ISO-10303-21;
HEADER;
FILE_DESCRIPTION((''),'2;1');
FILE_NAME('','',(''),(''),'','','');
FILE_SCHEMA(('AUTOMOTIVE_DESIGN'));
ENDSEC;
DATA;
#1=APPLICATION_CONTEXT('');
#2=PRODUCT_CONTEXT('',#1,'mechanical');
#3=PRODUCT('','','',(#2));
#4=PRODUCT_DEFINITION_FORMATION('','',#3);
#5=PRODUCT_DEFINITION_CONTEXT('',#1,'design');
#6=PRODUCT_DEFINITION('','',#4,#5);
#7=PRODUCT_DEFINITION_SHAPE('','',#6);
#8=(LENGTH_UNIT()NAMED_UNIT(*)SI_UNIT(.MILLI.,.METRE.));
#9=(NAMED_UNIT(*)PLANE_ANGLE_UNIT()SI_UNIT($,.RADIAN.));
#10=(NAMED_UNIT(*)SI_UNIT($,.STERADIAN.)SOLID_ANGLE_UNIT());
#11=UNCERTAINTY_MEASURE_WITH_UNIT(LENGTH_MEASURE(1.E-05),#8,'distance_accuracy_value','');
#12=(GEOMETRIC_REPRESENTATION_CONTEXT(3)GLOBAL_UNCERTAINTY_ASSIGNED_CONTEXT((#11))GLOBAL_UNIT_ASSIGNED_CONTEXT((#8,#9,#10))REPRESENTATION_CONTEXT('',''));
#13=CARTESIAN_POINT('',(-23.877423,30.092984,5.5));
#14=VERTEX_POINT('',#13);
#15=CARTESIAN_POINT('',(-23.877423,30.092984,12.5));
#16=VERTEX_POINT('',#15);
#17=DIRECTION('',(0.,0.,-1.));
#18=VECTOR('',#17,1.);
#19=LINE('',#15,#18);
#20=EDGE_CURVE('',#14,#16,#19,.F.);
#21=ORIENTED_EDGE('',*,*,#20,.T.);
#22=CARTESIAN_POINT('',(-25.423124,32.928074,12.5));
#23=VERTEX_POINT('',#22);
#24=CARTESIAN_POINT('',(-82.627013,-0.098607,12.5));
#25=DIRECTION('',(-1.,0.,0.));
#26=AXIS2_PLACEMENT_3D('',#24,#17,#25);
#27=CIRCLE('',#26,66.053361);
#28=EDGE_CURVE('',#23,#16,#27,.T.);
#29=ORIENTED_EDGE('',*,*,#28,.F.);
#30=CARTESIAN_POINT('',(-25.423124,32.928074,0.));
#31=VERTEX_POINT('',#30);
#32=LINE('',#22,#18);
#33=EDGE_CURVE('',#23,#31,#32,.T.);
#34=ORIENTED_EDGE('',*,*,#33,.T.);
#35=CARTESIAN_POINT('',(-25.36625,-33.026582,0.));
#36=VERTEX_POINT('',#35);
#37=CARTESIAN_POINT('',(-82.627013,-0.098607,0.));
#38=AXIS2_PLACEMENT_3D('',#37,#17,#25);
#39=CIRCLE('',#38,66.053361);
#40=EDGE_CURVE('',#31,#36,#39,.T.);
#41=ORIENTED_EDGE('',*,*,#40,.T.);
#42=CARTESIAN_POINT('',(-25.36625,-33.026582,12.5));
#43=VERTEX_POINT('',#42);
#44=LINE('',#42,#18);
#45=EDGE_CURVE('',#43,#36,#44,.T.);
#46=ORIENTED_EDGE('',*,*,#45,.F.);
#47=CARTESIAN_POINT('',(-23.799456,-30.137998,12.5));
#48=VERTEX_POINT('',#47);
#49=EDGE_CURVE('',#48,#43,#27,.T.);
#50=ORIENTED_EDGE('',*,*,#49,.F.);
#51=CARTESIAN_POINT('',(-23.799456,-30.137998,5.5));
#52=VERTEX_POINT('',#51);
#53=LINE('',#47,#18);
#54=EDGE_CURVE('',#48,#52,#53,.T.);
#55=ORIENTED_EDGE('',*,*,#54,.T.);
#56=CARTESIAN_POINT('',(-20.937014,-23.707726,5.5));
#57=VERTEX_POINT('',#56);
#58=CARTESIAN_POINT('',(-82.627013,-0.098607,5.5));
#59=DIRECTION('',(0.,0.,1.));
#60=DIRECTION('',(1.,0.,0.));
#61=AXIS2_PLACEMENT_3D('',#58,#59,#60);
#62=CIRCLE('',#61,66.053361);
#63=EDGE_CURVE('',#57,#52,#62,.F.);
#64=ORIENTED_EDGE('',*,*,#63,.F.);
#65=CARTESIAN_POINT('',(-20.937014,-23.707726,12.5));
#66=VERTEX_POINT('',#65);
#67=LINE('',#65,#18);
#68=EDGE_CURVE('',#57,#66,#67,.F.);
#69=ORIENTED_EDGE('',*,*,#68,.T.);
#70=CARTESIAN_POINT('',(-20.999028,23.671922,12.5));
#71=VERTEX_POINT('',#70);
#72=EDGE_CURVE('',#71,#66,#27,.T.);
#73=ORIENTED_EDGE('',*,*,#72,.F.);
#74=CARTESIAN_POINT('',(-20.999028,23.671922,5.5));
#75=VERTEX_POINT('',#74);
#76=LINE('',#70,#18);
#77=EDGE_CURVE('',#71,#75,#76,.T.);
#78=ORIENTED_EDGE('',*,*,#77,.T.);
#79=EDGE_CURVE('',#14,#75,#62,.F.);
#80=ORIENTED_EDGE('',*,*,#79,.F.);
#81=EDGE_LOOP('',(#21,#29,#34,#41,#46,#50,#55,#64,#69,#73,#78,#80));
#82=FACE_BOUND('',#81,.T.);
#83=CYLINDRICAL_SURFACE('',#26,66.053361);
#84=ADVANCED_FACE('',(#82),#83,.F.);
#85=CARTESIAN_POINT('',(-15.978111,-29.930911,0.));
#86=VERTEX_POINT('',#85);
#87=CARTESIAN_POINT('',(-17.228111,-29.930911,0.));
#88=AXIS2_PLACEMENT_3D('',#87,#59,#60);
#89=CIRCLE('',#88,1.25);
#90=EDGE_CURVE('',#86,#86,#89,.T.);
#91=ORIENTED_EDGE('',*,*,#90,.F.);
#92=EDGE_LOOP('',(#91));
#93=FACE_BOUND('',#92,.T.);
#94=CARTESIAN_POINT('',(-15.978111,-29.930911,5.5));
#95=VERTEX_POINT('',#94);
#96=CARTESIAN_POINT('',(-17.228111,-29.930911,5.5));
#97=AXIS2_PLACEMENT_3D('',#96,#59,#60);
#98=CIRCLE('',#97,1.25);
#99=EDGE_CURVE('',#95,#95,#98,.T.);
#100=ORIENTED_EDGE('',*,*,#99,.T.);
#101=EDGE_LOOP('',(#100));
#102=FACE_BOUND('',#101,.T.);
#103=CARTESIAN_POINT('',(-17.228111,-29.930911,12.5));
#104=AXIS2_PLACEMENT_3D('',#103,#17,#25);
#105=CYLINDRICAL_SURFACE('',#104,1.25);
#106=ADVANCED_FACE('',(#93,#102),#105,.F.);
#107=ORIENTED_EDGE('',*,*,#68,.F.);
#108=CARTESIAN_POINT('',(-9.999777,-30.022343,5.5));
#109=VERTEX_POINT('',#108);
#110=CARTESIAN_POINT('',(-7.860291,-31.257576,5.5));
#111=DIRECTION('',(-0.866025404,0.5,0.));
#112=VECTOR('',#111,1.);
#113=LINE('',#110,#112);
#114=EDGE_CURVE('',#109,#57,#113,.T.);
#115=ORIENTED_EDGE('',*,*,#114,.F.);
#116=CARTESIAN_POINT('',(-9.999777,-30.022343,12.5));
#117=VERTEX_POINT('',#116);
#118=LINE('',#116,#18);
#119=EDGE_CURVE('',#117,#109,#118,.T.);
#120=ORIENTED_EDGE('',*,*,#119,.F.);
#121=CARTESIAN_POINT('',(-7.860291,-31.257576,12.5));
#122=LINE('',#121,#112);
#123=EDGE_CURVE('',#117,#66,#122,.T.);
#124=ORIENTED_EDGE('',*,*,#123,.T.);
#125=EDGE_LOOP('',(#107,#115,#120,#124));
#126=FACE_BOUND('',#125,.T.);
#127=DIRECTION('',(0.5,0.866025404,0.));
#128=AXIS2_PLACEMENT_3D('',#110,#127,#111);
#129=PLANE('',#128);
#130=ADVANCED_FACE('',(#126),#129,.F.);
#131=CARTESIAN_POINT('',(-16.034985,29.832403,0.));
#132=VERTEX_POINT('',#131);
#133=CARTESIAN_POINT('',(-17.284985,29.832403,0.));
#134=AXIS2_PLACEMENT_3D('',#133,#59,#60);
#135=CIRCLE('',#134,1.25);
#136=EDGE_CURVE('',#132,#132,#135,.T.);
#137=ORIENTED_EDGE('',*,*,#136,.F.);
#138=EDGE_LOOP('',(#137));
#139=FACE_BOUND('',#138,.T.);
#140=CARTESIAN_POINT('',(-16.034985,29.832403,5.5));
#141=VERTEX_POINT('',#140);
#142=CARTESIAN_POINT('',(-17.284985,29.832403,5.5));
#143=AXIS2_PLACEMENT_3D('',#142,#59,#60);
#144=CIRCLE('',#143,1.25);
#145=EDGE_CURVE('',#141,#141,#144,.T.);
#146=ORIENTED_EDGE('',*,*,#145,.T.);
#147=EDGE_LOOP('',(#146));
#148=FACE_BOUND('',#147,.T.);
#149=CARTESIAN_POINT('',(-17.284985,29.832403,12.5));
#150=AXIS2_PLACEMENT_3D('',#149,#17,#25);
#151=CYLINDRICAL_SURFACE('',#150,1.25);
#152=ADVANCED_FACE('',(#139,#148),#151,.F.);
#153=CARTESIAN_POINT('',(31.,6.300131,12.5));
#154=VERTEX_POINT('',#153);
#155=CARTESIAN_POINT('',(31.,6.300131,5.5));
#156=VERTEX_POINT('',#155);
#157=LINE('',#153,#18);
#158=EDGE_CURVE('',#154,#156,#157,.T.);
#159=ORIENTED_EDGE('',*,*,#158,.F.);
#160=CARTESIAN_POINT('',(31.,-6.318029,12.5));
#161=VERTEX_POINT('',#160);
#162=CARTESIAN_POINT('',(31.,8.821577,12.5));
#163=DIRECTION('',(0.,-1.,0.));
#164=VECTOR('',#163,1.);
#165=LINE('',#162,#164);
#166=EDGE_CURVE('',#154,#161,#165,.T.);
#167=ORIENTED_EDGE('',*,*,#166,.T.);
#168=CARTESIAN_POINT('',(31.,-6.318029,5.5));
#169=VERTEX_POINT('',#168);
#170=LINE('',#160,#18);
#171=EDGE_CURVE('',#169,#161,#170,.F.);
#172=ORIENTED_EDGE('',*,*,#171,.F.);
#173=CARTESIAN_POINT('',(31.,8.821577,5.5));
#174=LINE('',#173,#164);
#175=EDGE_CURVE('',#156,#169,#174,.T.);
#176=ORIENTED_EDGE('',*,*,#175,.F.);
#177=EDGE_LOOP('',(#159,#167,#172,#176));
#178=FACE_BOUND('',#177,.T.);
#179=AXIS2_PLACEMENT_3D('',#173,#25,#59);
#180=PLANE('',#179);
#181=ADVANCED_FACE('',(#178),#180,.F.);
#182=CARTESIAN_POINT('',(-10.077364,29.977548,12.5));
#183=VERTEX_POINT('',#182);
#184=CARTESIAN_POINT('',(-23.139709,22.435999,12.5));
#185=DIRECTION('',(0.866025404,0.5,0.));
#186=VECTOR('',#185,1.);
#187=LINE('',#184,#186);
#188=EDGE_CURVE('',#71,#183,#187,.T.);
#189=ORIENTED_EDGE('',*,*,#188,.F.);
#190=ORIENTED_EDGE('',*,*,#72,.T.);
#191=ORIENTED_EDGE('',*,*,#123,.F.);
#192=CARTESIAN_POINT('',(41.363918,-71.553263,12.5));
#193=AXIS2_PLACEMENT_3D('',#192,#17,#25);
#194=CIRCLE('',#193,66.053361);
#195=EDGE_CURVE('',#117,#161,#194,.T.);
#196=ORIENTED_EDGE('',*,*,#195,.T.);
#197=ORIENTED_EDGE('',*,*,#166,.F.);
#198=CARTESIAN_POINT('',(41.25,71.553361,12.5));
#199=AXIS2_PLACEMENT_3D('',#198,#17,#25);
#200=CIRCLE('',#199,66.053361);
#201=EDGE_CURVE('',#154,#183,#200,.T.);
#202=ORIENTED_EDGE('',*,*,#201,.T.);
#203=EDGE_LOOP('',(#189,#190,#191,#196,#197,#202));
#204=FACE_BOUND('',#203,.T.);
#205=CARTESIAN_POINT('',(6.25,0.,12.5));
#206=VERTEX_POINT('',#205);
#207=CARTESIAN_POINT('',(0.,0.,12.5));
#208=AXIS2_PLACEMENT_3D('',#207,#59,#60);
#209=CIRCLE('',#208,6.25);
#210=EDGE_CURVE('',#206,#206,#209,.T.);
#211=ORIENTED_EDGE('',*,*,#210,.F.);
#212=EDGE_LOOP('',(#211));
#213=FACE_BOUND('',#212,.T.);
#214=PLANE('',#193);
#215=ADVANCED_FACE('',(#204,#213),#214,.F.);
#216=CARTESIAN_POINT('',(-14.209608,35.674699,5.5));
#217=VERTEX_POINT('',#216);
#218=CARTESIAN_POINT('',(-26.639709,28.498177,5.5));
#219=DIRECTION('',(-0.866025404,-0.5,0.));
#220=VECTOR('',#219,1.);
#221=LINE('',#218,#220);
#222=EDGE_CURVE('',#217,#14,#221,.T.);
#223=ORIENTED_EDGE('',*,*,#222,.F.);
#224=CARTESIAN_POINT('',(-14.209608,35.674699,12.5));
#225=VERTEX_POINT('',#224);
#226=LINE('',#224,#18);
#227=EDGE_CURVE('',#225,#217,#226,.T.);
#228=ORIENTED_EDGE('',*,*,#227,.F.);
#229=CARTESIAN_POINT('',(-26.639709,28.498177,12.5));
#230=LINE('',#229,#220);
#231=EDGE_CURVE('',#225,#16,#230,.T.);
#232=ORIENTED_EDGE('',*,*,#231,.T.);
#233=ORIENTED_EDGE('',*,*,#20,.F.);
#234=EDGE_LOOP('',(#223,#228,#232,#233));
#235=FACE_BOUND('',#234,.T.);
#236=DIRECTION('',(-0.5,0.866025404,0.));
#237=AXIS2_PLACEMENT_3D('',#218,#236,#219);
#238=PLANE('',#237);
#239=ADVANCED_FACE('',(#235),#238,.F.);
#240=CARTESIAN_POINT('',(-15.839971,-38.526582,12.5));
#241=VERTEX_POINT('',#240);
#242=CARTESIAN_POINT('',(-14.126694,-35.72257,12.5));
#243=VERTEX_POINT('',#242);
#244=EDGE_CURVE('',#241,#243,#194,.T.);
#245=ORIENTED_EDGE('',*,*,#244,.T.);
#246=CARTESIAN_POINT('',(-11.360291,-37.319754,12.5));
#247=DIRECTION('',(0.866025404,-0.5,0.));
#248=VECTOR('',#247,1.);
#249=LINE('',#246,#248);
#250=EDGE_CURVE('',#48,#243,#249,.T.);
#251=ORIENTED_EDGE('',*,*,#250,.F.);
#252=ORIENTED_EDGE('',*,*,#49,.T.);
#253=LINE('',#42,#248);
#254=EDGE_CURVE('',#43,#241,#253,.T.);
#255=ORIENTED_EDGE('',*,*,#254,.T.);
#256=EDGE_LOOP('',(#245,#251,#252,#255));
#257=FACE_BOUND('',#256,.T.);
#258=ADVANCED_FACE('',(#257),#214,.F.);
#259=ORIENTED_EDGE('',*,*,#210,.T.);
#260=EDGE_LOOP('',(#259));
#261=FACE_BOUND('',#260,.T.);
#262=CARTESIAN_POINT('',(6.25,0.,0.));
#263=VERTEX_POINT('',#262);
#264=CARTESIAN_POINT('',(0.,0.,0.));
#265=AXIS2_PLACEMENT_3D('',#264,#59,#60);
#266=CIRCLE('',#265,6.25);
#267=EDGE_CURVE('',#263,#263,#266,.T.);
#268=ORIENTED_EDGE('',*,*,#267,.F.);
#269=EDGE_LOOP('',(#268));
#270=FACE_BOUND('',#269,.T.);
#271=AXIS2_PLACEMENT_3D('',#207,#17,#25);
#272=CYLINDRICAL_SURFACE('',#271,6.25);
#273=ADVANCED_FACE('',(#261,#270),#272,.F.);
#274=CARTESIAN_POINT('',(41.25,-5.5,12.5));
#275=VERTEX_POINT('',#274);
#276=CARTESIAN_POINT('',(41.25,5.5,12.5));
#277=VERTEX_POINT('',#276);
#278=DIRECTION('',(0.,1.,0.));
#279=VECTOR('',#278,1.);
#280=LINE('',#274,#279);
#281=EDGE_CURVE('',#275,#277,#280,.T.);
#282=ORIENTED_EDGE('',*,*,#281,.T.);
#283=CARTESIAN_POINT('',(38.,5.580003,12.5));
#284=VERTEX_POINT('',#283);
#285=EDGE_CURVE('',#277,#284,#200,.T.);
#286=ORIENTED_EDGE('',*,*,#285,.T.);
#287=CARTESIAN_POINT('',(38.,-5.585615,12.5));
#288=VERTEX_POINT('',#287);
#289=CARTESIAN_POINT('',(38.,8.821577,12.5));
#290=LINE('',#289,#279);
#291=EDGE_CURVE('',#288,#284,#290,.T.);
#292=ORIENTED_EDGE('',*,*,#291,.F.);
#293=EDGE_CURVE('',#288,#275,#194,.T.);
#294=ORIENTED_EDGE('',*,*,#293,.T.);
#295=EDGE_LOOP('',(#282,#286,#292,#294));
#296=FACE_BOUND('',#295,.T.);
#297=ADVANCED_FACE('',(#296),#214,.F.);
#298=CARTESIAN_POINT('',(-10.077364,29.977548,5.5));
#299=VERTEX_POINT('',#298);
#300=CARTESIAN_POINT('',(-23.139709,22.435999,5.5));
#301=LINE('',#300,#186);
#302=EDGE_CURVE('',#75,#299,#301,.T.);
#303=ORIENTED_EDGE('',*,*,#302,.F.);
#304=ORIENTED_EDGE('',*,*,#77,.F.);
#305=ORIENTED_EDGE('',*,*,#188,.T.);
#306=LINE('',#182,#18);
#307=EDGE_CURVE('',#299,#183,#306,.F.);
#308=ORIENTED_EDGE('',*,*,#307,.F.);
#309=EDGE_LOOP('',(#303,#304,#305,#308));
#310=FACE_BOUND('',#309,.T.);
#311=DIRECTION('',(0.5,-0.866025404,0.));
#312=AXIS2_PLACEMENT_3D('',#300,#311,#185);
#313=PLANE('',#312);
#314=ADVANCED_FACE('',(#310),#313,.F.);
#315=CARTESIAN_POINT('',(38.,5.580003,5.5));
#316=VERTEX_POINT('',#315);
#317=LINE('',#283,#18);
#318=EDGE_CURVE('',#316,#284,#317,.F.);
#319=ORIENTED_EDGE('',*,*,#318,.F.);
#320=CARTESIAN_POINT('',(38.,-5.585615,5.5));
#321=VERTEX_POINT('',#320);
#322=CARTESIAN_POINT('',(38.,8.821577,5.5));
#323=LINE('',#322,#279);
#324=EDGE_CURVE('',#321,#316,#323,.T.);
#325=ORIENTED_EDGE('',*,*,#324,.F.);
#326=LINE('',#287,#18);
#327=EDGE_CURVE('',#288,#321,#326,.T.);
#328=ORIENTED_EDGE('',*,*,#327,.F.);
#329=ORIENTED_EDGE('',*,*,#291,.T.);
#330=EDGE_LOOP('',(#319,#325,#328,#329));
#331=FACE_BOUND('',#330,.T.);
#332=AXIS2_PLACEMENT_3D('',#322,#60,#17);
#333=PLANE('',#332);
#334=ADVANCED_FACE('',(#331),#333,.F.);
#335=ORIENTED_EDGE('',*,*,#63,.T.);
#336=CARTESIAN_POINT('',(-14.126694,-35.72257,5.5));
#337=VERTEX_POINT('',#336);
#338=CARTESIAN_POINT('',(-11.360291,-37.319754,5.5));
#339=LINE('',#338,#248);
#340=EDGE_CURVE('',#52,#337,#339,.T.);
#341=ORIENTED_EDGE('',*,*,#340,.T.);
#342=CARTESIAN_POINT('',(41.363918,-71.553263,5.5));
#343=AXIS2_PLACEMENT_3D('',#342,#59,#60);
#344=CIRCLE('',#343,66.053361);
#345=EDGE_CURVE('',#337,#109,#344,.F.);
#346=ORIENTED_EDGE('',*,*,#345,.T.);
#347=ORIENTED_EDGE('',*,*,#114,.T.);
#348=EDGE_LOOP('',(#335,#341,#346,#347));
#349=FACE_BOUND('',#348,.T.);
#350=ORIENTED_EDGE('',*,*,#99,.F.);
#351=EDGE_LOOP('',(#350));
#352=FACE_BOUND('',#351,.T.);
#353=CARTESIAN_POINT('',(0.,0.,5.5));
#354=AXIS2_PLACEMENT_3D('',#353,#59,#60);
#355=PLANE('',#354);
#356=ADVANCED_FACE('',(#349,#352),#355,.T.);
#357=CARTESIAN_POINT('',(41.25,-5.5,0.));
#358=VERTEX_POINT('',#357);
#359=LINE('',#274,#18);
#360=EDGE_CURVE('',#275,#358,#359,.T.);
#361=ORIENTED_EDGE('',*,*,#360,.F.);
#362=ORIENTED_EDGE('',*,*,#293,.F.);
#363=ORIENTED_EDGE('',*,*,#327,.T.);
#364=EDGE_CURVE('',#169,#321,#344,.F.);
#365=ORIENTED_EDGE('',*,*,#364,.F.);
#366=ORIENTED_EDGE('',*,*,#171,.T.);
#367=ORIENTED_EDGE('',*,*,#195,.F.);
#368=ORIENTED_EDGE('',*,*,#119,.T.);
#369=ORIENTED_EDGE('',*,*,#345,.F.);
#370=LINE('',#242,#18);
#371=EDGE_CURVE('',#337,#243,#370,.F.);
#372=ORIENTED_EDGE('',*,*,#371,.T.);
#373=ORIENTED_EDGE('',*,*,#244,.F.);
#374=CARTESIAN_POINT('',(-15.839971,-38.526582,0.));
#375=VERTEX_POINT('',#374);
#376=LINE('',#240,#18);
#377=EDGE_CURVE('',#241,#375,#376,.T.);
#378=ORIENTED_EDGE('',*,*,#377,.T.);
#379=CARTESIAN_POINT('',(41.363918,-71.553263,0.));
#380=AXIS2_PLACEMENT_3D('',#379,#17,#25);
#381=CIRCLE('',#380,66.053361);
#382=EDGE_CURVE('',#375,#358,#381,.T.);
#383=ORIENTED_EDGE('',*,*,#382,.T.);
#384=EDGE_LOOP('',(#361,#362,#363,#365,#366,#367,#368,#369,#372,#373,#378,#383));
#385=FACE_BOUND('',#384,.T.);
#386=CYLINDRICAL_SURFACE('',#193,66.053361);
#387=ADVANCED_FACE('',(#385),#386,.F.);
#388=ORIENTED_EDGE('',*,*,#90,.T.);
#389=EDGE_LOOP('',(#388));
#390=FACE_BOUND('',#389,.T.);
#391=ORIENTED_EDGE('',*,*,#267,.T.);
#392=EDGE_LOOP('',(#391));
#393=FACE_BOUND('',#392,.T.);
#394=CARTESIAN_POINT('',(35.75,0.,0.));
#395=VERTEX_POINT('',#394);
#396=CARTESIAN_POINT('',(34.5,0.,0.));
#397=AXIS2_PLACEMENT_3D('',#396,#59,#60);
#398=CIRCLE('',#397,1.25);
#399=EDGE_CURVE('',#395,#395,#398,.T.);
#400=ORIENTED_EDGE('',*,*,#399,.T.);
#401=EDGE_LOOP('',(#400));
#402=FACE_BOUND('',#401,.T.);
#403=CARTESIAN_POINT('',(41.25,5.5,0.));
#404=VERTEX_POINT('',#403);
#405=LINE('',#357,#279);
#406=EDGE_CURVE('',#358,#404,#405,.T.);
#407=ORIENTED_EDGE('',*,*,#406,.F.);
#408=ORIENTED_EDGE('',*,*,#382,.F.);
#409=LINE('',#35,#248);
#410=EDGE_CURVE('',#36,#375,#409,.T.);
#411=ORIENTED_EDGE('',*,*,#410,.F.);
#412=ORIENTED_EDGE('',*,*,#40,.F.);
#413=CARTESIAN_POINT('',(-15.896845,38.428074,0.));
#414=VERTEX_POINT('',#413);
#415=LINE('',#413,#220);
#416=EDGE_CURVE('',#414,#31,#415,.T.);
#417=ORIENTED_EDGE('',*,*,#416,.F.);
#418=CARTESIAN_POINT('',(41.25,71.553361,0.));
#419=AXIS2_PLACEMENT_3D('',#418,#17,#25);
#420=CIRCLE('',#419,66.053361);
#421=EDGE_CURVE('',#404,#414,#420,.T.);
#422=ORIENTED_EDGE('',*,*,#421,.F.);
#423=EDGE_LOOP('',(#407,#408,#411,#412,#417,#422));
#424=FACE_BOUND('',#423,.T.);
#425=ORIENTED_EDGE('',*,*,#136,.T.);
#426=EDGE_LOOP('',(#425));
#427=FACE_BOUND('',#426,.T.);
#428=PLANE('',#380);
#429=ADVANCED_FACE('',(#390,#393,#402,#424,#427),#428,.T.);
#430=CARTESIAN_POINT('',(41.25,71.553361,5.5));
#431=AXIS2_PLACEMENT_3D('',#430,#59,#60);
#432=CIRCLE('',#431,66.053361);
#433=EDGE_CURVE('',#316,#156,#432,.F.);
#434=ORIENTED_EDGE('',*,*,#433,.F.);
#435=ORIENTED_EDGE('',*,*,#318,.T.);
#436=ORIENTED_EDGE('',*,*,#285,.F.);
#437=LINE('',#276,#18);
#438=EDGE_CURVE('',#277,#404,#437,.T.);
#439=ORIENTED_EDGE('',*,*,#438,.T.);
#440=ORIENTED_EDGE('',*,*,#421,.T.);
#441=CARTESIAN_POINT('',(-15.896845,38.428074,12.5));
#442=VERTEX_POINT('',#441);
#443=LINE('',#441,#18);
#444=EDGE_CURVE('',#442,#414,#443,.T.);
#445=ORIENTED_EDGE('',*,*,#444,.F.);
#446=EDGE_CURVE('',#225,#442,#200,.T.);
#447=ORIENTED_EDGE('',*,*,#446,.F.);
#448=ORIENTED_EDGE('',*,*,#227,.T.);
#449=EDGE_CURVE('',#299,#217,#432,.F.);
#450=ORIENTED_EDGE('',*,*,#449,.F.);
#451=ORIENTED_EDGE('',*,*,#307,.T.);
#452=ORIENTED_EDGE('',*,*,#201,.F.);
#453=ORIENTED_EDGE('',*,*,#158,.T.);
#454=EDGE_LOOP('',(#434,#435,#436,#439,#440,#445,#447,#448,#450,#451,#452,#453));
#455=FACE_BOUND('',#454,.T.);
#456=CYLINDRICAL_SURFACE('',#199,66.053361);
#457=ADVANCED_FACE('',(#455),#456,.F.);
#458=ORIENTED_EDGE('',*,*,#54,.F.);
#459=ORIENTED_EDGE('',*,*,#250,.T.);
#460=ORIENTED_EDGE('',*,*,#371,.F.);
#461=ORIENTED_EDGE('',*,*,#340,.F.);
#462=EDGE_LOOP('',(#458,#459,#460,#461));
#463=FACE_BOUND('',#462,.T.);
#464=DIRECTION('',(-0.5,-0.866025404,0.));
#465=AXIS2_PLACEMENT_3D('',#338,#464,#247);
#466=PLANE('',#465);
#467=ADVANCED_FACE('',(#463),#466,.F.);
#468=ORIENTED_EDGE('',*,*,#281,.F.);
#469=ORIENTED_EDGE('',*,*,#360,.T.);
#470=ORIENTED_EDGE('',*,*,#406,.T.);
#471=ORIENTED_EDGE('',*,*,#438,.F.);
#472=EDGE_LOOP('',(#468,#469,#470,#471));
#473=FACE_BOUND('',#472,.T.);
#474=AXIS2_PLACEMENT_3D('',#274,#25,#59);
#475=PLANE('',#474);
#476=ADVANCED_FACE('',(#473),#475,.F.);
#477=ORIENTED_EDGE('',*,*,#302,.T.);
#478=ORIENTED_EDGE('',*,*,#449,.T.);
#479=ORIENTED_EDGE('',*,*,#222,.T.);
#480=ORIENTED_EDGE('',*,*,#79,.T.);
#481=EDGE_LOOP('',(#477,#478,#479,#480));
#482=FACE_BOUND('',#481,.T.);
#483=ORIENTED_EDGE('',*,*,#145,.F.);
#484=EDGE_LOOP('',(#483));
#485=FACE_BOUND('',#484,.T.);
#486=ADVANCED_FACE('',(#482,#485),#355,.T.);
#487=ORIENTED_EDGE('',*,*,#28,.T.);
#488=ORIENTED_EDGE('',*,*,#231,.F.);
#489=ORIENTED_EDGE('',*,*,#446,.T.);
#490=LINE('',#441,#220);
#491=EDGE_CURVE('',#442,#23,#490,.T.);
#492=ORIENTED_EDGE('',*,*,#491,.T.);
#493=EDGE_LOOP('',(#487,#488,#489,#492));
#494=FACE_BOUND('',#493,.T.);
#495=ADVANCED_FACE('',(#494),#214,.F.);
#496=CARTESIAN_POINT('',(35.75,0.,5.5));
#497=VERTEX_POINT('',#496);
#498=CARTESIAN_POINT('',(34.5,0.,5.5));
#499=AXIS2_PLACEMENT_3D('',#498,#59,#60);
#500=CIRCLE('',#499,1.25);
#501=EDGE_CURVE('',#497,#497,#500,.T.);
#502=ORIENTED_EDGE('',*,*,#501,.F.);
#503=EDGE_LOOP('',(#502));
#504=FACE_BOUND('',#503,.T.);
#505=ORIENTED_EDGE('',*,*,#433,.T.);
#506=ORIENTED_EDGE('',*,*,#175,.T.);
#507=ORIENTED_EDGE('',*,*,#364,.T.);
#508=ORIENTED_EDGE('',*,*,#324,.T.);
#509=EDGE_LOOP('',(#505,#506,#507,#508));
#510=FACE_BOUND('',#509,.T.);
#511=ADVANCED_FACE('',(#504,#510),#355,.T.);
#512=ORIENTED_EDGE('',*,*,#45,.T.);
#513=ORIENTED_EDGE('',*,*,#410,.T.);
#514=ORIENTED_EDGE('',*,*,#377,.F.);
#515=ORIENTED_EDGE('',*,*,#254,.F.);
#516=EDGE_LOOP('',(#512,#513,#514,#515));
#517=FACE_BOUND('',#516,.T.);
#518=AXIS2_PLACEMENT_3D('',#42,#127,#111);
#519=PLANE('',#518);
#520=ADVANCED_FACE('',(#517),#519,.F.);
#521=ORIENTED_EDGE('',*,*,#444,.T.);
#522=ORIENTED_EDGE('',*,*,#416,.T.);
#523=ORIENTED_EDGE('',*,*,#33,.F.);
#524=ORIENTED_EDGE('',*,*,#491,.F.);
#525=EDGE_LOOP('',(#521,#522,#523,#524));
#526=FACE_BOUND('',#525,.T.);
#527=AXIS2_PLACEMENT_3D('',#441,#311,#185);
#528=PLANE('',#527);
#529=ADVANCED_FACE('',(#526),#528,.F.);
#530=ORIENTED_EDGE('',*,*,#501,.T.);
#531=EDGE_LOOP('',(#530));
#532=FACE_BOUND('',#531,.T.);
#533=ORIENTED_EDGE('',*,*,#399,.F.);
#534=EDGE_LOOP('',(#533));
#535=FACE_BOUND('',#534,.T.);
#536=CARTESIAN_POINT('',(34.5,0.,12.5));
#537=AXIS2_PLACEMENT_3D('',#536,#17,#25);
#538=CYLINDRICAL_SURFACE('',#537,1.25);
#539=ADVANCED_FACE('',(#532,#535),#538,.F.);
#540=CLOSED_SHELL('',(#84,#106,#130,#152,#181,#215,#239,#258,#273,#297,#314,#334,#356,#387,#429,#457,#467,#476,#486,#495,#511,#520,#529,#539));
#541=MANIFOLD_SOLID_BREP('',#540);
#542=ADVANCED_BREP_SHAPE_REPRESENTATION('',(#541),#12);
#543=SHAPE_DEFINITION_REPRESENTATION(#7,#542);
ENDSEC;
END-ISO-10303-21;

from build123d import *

# Parameters (mm, degrees)
CROQUIS1_R              = 6.25
CROQUIS1_R_2            = 1.25
SALIENTE_EXTRUIR1_DEPTH = 12.5
CROQUIS2_W              = 7
CROQUIS2_H              = 18.683696708
CORTAR_EXTRUIR1_DEPTH   = 7


with BuildPart() as part:
    # Croquis1 → Saliente-Extruir1 (new body)
    with BuildSketch(Plane.XY):
        with BuildLine():
            Line((41.25, -5.5), (41.25, 5.5))
            ThreePointArc((41.25, 5.5), (8.272659528, 14.321014207), (-15.896844885, 38.428074017))
            Line((-15.896844885, 38.428074017), (-25.423124326, 32.928074017))
            ThreePointArc((-25.423124326, 32.928074017), (-16.573676481, -0.041647684), (-25.36625048, -33.026582408))
            Line((-25.36625048, -33.026582408), (-15.839971039, -38.526582408))
            ThreePointArc((-15.839971039, -38.526582408), (8.287921588, -14.377874913), (41.25, -5.5))
        make_face()
        Circle(CROQUIS1_R, mode=Mode.SUBTRACT)
        with Locations((34.5, 0)):
            Circle(CROQUIS1_R_2, mode=Mode.SUBTRACT)
        with Locations((-17.22811076, -29.930910932)):
            Circle(CROQUIS1_R_2, mode=Mode.SUBTRACT)
        with Locations((-17.284984605, 29.832402542)):
            Circle(CROQUIS1_R_2, mode=Mode.SUBTRACT)
    extrude(amount=SALIENTE_EXTRUIR1_DEPTH)

    # Croquis2 → Cortar-Extruir1 (cut)
    with BuildSketch(Plane.XY.offset(12.5)):
        with Locations((34.5, -0.520271759)):
            Rectangle(CROQUIS2_W, CROQUIS2_H)
        Polygon((-11.360290568, -37.319753641), (-7.860290568, -31.257575815), (-24.040846553, -21.915727461), (-27.540846553, -27.977905287), align=None)
        Polygon((-26.639709432, 28.498177047), (-23.139709432, 22.43599922), (-6.959153447, 31.777847574), (-10.459153447, 37.8400254), align=None)
    extrude(amount=-CORTAR_EXTRUIR1_DEPTH, mode=Mode.SUBTRACT)


solid = part.part
